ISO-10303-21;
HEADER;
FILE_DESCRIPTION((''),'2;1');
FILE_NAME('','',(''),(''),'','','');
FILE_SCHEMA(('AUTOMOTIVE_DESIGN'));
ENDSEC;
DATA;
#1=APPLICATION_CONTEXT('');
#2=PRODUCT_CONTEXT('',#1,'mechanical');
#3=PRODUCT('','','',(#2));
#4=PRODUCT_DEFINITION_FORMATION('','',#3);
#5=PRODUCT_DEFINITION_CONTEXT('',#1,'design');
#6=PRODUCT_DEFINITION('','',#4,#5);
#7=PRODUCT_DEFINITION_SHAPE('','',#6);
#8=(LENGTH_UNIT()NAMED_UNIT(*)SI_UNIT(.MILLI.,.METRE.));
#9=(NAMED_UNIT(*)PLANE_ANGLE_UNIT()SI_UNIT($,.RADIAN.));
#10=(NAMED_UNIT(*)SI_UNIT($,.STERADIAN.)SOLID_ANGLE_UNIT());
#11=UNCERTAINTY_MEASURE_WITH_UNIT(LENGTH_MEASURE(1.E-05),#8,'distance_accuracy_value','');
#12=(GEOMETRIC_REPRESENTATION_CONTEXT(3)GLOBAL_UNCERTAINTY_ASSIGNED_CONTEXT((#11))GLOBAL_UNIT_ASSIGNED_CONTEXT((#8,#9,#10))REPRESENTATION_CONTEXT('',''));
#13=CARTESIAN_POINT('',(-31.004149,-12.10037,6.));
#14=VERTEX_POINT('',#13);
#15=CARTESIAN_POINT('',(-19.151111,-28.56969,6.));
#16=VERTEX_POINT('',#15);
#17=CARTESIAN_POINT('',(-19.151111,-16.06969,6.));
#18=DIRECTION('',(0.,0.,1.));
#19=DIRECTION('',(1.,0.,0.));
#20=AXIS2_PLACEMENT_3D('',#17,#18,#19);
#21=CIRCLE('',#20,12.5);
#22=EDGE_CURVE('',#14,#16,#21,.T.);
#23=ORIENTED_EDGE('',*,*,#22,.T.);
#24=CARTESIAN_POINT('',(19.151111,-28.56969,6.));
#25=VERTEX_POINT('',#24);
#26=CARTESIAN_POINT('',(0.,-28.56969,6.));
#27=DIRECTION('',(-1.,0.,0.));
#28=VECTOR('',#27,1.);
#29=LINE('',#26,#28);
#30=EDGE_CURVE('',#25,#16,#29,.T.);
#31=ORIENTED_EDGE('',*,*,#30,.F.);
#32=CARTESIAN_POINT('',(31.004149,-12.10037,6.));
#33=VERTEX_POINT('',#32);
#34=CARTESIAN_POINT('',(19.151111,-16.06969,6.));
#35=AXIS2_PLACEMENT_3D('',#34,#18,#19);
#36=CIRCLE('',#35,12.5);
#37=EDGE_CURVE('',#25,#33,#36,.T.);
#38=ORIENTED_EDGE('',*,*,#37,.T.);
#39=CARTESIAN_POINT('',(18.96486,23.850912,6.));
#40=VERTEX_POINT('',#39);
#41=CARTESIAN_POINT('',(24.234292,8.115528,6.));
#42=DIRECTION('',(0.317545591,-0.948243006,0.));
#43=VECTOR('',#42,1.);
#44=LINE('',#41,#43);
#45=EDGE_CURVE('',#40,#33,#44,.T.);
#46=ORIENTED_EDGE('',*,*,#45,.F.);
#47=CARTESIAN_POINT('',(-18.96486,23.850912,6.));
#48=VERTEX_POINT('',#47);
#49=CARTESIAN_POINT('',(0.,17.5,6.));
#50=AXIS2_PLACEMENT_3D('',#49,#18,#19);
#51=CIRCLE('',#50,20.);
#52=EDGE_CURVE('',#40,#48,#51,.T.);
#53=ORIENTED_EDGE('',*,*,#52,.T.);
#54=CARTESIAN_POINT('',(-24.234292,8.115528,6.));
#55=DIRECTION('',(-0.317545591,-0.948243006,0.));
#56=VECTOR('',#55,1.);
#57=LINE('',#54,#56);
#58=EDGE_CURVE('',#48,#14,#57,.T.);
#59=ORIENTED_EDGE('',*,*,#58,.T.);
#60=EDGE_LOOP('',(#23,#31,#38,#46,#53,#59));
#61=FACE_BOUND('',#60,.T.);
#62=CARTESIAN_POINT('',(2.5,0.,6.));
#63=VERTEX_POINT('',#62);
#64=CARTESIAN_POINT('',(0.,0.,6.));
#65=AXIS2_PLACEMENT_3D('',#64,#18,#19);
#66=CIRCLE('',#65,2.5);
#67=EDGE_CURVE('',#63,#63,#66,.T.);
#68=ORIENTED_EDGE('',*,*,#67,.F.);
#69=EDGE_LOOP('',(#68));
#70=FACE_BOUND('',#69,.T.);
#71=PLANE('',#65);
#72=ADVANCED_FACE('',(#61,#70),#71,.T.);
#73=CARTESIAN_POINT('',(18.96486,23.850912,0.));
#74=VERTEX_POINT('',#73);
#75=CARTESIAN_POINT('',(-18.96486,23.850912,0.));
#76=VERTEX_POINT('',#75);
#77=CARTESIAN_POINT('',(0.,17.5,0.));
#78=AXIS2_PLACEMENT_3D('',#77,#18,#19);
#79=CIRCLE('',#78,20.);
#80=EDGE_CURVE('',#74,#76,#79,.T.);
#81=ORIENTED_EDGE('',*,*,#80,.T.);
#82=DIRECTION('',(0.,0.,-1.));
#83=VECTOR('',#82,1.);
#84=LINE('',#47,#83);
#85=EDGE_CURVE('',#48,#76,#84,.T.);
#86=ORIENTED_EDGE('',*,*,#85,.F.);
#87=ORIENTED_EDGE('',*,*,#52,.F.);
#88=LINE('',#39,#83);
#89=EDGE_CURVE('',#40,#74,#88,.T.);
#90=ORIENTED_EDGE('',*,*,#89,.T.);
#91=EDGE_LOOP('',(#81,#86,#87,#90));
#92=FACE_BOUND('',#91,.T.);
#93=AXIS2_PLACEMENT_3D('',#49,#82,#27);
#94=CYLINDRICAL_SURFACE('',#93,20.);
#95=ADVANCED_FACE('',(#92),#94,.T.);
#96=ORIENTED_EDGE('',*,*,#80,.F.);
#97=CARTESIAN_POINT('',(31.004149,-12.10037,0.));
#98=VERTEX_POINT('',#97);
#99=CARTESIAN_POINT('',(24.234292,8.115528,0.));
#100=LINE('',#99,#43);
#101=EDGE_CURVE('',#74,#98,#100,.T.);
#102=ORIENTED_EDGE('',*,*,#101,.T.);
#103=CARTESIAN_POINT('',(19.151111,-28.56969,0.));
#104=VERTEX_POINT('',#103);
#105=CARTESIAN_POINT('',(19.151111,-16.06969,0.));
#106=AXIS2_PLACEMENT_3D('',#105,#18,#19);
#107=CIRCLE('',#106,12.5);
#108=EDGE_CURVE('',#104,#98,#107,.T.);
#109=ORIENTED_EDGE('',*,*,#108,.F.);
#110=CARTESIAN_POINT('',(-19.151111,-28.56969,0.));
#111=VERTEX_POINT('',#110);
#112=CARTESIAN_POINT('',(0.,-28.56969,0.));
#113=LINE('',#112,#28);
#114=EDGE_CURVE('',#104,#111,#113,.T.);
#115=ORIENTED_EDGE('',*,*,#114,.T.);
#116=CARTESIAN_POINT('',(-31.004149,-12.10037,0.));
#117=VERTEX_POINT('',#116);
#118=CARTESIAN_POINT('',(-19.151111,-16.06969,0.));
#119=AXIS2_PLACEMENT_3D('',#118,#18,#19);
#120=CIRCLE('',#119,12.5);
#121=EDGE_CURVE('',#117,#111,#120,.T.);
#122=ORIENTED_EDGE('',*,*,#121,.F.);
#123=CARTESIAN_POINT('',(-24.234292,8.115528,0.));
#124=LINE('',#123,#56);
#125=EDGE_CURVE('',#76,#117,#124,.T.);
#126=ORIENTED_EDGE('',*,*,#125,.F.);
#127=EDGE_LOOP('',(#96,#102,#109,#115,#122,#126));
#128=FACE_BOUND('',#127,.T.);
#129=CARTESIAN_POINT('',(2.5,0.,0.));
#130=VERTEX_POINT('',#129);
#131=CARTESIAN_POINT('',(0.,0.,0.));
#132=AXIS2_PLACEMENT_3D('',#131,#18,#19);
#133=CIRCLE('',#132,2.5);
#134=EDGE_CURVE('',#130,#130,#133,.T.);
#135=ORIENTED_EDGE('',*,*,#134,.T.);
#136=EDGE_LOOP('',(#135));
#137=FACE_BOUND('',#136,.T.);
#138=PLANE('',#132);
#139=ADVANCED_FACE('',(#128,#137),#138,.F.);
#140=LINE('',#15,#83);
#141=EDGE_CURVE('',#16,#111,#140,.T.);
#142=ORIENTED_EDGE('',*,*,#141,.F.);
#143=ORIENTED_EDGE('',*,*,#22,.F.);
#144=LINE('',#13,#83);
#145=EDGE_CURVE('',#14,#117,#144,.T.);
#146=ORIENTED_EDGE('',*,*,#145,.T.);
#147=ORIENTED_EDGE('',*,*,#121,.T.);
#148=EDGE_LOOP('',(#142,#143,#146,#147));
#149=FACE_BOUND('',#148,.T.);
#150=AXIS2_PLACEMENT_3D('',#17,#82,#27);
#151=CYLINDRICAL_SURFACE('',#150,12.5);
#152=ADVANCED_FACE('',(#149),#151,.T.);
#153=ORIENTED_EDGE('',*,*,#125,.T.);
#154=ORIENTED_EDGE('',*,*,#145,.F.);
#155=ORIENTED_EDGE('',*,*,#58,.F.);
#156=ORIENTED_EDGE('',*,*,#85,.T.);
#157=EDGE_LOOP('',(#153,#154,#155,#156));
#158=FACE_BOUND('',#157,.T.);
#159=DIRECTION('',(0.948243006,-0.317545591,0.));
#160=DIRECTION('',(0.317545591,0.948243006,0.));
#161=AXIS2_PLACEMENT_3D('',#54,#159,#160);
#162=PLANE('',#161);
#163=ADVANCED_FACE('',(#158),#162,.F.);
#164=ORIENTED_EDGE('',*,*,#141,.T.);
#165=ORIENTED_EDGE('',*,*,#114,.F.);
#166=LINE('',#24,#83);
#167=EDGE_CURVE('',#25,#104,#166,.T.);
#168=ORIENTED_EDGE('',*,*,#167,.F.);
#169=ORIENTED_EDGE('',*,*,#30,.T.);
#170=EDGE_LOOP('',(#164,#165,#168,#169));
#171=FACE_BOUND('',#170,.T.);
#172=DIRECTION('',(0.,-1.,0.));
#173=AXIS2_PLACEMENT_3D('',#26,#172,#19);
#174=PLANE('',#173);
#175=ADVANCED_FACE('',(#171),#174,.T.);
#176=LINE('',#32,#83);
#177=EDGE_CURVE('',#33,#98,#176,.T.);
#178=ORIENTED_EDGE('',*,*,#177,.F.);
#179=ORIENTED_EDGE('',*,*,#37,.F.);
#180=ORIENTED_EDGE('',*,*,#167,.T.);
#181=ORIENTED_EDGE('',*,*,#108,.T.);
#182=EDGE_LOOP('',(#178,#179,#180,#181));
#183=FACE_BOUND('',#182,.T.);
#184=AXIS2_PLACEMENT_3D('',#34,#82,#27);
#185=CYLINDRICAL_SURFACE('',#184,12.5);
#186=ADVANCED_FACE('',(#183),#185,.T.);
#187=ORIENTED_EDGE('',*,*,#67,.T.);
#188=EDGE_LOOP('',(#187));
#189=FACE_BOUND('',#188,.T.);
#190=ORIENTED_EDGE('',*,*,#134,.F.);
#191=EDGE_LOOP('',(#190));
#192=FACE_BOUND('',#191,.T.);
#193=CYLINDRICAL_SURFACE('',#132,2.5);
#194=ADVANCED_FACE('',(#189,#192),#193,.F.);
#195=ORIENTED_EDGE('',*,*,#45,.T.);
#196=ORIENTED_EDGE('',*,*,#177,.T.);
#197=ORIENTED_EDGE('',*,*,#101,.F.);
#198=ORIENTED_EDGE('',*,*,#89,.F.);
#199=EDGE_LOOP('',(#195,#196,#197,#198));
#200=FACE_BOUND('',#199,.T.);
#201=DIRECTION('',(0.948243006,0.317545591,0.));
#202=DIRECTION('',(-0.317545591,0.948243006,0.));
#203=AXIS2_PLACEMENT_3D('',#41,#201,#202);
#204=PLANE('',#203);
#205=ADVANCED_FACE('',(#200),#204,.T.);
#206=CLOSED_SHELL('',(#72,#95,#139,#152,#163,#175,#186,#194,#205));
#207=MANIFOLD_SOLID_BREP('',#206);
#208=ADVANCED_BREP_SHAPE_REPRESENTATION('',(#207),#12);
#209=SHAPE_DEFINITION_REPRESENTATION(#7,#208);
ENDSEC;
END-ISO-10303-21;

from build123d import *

# Parameters (mm, degrees)
EXTRUDE_1_DEPTH     = 6
SKETCH_3_R          = 2.5
CUT_EXTRUDE_1_DEPTH = 50.437261579


with BuildPart() as part:
    # Эскиз1 → Бобышка-Вытянуть1 (new body)
    with BuildSketch(Plane.XY):
        with BuildLine():
            ThreePointArc((18.964860111, 23.850911821), (0, 37.5), (-18.964860111, 23.850911821))
            Line((-18.964860111, 23.850911821), (-31.004148648, -12.100370354))
            ThreePointArc((-31.004148648, -12.100370354), (-29.296713539, -23.371522252), (-19.151111078, -28.569690242))
            Line((-19.151111078, -28.569690242), (19.151111078, -28.569690242))
            ThreePointArc((19.151111078, -28.569690242), (29.296713539, -23.371522252), (31.004148648, -12.100370354))
            Line((31.004148648, -12.100370354), (18.964860111, 23.850911821))
        make_face()
    extrude(amount=EXTRUDE_1_DEPTH)

    # Эскиз3 → Вырез-Вытянуть1 (cut, through all)
    with BuildSketch(Plane.XY.offset(6)):
        Circle(SKETCH_3_R)
    extrude(amount=-CUT_EXTRUDE_1_DEPTH, mode=Mode.SUBTRACT)


solid = part.part
